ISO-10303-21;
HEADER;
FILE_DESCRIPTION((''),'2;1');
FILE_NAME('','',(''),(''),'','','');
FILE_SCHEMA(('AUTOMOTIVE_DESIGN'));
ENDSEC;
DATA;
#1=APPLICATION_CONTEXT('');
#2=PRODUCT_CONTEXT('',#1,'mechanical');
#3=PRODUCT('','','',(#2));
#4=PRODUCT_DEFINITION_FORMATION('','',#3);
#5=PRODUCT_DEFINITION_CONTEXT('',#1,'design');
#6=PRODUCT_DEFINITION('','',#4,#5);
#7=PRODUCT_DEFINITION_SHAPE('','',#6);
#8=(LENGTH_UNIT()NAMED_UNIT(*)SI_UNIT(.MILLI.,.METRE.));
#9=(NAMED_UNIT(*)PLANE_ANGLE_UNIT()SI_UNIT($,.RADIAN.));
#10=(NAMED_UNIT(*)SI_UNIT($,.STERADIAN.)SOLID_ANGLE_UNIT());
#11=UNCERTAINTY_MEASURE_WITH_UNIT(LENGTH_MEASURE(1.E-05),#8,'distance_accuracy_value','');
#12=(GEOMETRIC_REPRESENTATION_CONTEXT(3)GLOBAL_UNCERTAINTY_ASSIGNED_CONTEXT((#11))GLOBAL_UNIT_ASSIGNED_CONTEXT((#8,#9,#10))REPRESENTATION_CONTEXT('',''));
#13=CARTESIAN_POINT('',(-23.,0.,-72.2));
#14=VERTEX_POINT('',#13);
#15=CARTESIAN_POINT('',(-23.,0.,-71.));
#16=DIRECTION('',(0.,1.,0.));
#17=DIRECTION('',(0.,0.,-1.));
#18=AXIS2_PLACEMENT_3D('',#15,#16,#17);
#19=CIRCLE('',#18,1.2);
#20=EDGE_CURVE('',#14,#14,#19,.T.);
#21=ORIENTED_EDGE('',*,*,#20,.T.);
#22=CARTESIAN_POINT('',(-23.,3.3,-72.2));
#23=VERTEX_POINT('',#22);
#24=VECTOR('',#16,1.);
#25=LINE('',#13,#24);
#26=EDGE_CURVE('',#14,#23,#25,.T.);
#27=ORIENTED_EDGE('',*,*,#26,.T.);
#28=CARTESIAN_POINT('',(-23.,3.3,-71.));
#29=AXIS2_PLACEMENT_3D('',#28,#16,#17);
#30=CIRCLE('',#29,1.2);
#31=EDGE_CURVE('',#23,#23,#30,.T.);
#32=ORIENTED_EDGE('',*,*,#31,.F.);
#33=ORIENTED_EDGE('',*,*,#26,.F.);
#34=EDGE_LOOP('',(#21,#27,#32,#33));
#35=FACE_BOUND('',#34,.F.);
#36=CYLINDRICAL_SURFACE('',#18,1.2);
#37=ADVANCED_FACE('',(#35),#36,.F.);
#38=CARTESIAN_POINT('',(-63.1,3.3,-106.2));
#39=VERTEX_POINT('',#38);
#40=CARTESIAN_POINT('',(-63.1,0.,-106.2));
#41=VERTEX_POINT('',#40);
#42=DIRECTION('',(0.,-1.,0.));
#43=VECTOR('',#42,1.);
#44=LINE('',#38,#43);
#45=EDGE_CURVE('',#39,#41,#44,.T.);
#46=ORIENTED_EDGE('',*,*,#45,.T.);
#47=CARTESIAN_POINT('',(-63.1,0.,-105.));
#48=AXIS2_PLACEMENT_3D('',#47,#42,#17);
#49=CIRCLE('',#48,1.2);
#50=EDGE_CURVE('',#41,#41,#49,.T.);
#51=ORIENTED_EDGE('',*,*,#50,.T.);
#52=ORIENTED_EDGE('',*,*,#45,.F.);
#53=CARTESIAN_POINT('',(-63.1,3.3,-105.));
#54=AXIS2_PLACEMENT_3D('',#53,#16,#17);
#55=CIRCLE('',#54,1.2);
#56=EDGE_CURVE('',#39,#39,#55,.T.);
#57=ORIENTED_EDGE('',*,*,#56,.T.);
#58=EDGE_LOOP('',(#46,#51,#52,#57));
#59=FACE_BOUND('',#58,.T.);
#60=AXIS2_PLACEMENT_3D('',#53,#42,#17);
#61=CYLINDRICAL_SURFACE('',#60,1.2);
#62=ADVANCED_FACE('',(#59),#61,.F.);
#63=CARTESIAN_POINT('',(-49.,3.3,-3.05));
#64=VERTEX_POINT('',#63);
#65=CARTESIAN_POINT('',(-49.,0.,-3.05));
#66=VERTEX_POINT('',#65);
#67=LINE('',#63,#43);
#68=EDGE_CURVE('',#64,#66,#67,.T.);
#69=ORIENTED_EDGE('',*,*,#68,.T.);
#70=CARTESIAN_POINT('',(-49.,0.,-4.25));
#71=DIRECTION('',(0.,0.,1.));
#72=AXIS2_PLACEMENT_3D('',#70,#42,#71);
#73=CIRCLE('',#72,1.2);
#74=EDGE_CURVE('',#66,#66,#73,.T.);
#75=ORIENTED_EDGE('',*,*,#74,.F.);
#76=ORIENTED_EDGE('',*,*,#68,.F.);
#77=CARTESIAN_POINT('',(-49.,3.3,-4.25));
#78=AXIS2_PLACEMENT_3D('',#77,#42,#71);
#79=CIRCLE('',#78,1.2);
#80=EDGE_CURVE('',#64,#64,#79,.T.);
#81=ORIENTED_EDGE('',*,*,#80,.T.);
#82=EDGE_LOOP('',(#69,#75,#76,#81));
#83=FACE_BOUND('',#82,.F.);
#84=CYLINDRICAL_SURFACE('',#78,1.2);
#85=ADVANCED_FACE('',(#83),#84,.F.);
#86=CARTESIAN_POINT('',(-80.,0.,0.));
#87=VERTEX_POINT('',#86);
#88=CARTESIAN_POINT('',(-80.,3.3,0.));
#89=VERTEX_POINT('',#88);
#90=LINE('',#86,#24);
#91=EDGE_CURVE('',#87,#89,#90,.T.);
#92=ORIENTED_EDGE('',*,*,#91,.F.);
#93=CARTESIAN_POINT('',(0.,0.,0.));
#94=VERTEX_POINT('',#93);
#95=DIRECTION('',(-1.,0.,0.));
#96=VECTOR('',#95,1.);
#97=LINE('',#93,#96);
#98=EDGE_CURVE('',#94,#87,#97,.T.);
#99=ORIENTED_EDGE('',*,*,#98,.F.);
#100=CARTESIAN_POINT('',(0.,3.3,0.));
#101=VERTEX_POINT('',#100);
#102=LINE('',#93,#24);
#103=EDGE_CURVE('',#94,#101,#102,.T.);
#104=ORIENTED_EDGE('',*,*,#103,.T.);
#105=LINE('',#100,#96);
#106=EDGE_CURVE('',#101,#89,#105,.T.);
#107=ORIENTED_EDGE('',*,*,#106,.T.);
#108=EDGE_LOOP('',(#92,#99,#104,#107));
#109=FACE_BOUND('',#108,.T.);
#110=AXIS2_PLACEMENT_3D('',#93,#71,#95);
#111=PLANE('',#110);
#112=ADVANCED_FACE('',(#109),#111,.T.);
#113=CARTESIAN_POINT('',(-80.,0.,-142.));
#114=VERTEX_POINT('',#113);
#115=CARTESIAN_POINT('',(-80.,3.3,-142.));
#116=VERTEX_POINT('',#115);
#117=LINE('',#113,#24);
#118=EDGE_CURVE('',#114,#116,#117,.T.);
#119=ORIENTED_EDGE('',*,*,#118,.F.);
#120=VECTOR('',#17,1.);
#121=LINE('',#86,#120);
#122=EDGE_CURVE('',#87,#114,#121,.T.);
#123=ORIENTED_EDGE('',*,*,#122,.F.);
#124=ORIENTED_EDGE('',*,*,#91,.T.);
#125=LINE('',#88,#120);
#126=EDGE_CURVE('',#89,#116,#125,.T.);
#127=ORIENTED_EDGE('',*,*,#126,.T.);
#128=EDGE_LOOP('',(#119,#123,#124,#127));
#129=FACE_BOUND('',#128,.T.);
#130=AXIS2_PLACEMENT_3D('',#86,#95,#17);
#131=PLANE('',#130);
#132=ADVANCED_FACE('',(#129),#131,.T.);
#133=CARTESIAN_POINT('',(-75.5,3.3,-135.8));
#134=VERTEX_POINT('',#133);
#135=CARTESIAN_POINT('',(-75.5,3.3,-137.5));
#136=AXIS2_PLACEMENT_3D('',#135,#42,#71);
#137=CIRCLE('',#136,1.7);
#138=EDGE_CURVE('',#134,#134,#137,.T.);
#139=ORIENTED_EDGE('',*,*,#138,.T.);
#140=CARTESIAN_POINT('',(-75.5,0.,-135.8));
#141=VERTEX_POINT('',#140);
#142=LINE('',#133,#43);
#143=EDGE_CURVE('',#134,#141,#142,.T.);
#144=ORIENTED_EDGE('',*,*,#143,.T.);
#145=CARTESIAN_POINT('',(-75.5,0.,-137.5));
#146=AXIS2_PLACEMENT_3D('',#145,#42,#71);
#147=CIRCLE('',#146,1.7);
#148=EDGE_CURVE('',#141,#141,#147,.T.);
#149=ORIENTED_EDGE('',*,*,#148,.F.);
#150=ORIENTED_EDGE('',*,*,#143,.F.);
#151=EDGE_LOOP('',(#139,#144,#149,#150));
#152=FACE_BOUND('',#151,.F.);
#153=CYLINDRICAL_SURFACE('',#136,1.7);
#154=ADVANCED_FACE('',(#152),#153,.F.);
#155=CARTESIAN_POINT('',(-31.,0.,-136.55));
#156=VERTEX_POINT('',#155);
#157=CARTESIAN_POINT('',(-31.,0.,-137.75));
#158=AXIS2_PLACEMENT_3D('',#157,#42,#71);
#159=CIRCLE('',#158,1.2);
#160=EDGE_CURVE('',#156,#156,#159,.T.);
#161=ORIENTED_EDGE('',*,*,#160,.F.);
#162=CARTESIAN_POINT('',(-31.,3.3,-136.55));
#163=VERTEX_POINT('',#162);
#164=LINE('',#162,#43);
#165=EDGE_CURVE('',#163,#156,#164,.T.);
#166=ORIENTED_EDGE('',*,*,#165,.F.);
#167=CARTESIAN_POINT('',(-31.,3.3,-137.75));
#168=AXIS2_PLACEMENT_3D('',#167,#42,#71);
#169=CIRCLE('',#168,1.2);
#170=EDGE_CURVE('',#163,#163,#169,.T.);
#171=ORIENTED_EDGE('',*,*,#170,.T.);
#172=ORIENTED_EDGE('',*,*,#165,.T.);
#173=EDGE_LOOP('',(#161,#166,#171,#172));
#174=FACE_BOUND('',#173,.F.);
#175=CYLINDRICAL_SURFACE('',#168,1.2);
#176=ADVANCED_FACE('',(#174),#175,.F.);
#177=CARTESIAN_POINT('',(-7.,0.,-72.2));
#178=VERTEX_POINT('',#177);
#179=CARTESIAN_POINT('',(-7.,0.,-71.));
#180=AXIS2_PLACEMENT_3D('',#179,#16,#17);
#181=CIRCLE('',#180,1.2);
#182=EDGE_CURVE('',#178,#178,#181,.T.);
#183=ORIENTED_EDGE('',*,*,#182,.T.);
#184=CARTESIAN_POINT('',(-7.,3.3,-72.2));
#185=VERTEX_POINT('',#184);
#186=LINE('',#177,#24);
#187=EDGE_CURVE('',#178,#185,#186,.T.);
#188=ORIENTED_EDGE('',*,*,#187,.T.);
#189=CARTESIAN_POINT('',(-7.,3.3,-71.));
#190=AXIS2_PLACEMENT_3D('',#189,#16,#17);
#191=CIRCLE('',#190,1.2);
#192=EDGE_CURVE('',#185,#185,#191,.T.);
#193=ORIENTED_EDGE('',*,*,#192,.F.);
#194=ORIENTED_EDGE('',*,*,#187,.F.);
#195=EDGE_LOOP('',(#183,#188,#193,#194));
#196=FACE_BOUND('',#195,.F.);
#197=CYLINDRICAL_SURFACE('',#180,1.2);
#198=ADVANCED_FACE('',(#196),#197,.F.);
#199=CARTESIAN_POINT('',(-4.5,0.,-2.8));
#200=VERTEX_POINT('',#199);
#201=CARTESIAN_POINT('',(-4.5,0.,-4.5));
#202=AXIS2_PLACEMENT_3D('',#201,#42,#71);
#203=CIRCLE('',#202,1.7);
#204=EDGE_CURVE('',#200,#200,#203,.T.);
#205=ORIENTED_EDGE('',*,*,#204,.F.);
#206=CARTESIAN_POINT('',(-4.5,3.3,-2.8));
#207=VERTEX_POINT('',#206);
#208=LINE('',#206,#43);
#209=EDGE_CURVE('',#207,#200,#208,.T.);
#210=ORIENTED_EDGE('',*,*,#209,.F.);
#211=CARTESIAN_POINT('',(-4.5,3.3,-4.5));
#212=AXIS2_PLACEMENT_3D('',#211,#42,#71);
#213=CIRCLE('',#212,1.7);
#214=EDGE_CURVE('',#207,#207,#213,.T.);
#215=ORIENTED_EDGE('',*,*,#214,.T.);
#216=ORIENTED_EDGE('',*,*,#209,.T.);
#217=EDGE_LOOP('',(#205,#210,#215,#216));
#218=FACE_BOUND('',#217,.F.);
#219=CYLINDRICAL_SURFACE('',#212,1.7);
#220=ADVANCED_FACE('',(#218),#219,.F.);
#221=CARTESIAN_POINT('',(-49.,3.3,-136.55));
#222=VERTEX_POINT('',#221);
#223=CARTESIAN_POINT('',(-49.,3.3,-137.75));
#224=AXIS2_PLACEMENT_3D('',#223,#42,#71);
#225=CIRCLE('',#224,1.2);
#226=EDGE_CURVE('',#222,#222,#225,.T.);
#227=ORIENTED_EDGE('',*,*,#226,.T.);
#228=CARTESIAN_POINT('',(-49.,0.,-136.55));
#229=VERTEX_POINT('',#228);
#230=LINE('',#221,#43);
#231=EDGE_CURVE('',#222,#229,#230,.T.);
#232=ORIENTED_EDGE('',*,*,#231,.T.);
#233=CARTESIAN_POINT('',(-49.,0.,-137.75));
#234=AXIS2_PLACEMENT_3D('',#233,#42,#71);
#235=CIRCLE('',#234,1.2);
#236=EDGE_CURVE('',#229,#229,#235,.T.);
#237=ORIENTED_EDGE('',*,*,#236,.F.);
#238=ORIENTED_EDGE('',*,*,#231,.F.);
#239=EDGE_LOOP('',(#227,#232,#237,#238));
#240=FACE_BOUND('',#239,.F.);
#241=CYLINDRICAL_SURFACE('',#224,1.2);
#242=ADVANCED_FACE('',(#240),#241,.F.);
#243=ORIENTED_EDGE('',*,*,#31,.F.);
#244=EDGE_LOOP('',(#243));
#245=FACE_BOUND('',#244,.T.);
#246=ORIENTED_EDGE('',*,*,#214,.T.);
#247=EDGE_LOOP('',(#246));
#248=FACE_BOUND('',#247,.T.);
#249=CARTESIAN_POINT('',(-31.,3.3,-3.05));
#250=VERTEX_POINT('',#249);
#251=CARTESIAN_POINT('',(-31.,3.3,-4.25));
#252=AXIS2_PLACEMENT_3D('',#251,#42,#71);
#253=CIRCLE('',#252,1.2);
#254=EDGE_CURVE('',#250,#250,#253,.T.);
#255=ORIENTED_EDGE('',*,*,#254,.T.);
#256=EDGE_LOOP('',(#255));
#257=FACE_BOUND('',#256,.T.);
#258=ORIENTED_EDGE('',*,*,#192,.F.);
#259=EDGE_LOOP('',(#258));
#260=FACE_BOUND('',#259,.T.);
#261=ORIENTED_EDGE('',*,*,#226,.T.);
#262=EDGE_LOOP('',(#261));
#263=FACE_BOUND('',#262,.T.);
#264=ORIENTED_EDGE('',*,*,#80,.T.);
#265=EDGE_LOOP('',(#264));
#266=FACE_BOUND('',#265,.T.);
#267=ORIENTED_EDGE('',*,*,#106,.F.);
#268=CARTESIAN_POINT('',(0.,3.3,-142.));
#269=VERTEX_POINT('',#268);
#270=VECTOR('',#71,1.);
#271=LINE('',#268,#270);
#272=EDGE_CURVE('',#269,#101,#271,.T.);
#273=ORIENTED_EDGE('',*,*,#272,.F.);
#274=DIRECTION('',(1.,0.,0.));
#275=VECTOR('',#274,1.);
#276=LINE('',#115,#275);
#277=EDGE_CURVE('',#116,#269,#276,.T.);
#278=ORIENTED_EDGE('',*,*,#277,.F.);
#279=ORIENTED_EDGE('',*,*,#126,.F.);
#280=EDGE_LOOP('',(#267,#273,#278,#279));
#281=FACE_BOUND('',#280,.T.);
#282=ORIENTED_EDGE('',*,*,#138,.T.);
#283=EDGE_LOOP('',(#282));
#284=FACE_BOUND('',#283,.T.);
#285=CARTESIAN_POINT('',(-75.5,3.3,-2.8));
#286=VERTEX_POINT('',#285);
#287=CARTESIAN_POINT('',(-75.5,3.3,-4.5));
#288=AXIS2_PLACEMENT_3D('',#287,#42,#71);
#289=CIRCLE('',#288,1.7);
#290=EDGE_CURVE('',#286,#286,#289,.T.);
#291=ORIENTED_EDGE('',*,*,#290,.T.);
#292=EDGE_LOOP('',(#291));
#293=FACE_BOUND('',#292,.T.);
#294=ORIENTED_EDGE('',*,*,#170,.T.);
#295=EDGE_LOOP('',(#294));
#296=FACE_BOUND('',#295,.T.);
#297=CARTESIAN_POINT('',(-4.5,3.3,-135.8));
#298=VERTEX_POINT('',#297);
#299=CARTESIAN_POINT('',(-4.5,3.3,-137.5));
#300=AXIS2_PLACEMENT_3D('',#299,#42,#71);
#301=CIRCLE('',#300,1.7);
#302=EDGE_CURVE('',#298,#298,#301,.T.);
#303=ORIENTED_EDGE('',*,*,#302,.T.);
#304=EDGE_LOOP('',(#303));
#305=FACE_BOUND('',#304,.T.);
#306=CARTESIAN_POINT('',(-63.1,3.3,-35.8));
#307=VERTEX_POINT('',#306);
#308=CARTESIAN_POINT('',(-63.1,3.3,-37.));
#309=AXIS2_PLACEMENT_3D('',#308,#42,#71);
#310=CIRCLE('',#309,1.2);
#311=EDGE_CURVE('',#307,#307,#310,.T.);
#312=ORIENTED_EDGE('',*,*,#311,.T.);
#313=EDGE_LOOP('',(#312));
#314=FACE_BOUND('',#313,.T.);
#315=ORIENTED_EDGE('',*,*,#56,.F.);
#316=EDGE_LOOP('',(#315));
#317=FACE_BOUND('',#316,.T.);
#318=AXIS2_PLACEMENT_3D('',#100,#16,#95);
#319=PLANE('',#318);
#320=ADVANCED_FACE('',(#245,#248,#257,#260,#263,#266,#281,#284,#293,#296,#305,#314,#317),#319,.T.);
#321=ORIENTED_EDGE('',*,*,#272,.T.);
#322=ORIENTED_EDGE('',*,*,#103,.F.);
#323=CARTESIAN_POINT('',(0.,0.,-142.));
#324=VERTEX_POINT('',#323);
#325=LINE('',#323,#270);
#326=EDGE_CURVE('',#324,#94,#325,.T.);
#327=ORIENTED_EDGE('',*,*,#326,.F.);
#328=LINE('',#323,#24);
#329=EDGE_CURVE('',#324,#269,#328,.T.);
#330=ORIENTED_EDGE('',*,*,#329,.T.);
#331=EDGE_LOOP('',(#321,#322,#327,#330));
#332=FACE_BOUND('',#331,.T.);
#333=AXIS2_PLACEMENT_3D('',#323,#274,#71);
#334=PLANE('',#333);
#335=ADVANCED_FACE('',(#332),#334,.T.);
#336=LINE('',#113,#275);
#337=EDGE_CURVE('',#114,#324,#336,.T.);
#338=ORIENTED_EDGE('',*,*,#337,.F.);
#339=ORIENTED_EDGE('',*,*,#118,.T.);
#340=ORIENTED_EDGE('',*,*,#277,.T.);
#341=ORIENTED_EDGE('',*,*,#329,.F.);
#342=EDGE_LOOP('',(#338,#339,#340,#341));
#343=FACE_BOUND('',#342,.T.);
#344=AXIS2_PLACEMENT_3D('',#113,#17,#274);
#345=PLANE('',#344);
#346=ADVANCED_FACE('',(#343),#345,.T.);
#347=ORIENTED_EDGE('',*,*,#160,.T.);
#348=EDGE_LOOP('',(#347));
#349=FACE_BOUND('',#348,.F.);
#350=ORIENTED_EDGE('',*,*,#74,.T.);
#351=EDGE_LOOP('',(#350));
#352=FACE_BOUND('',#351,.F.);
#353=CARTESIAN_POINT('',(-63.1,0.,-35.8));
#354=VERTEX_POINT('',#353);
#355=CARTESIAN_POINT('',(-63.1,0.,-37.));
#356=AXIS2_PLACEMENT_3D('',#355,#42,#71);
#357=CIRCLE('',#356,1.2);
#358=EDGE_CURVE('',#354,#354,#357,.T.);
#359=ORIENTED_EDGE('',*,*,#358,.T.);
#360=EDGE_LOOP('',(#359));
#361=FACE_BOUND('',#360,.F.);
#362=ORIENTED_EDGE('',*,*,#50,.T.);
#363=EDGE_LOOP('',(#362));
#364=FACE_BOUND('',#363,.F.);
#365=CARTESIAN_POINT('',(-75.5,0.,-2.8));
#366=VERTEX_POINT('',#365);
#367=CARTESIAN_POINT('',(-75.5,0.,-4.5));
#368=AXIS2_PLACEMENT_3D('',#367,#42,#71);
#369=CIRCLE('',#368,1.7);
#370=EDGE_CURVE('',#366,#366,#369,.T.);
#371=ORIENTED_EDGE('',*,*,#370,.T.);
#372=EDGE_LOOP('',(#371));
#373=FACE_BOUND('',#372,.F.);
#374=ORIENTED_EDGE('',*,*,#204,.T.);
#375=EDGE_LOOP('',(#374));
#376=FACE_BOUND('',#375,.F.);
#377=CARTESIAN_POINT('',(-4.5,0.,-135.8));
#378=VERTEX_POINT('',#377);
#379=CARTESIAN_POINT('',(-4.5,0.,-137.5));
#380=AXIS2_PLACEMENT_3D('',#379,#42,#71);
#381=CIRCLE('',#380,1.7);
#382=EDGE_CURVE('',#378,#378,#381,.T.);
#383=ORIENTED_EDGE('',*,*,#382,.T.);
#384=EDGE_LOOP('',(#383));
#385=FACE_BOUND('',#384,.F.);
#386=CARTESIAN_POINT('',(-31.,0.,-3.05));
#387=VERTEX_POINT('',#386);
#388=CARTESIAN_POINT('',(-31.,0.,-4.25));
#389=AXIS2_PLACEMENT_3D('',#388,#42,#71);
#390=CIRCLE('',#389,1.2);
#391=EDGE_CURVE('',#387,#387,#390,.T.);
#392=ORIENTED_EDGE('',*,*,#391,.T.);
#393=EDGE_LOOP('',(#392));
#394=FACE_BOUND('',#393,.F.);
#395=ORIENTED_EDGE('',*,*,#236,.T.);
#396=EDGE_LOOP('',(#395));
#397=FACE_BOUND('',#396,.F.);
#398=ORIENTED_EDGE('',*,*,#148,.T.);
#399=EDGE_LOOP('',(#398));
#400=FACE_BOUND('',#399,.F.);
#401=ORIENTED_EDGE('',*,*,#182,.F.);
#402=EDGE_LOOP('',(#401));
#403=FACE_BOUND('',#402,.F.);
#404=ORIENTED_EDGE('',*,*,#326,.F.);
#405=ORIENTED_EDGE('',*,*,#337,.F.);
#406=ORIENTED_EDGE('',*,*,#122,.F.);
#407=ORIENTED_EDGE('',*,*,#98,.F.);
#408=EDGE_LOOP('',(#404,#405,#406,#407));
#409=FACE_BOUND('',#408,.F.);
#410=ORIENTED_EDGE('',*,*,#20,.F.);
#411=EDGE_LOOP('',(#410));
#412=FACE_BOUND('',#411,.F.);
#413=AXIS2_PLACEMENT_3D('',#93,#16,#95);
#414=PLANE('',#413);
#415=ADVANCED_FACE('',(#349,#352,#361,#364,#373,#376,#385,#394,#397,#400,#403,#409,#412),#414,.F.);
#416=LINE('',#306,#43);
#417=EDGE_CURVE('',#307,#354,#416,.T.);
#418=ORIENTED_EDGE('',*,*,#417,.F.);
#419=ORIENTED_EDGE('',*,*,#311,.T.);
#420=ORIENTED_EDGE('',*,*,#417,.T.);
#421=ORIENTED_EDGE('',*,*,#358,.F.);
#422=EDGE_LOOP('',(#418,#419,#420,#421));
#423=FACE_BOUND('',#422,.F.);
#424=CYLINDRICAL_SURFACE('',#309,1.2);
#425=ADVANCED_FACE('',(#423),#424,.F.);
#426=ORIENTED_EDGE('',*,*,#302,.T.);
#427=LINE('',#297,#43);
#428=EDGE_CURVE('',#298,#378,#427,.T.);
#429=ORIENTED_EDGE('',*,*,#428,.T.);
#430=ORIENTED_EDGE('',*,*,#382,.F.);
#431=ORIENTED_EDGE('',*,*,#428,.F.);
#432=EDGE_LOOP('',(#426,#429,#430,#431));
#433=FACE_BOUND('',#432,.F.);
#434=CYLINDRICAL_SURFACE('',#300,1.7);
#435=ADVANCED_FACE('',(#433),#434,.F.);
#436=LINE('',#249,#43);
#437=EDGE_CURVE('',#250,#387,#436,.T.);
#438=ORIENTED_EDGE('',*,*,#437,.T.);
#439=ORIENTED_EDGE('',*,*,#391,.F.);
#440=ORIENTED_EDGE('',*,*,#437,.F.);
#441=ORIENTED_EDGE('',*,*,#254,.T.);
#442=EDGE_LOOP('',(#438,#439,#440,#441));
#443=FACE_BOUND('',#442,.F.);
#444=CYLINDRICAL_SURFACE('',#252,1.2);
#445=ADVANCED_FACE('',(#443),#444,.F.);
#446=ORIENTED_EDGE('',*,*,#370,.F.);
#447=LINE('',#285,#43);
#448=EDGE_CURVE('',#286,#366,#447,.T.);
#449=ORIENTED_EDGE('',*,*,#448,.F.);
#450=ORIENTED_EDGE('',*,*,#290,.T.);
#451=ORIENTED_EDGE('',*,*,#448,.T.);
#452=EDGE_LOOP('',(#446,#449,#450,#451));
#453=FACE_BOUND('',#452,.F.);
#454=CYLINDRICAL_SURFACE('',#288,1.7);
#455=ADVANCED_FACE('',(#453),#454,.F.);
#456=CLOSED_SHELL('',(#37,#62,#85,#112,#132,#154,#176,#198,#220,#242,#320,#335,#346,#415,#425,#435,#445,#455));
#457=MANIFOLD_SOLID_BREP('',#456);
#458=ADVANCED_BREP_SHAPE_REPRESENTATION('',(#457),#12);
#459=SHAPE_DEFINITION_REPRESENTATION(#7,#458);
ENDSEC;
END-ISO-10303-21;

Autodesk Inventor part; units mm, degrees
ref_plane "YZ Plane" through (0, 0, 0) normal (1, 0, 0) x (0, 1, 0)
ref_plane "XZ Plane" through (0, 0, 0) normal (0, 1, 0) x (-1, 0, 0)
ref_plane "XY Plane" through (0, 0, 0) normal (0, 0, 1) x (1, 0, 0)
sketch "スケッチ1" plane through (0, 0, 0) normal (0, 1, 0) x (-1, 0, 0)
  line L0 (0, 0) -> (80, 0)
  line L1 (80, 0) -> (80, -142)
  line L2 (80, -142) -> (0, -142)
  line L3 (0, -142) -> (0, 0)
  dimension "d0" = 80
  dimension "d1" = 142
extrude "押し出し1" add sketch "スケッチ1" along normal blind 3.3
hole "穴1" at (-75.5, 3.3, -4.5) direction (0, -1, 0) diameter 3.4 end through all
hole "穴2" at (-4.5, 3.3, -4.5) direction (0, -1, 0) diameter 3.4 end through all
hole "穴3" at (-4.5, 3.3, -137.5) direction (0, -1, 0) diameter 3.4 end through all
hole "穴4" at (-75.5, 3.3, -137.5) direction (0, -1, 0) diameter 3.4 end through all
hole "穴5" at (-49, 3.3, -137.75) direction (0, -1, 0) diameter 2.4 end through all
hole "穴6" at (-31, 3.3, -137.75) direction (0, -1, 0) diameter 2.4 end through all
hole "穴7" at (-31, 3.3, -4.25) direction (0, -1, 0) diameter 2.4 end through all
hole "穴8" at (-49, 3.3, -4.25) direction (0, -1, 0) diameter 2.4 end through all
hole "穴9" at (-7, 0, -71) direction (0, 1, 0) diameter 2.4 end through all
hole "穴10" at (-23, 0, -71) direction (0, 1, 0) diameter 2.4 end through all
sketch "スケッチ3" plane through (0, 3.3, 0) normal (0, 1, 0) x (1, 0, 0)
  line L0 (0, 0) -> (0, 142) projected
  line L1 (0, 71) -> (-80, 71)
  line L2 (-80, 142) -> (-80, 0) projected
hole "穴15" at (-63.1, 3.3, -37) direction (0, -1, 0) diameter 2.4 end through all
ref_plane "作業平面1" through (0, 3.3, -71) normal (0, 0, -1) x (-1, 0, 0)
mirror "ミラー1" about plane through (0, 3.3, -71) normal (0, 0, -1) of "穴15"
properties part number "基本板(センサ1つ)" material "アルミニウム 5052"
